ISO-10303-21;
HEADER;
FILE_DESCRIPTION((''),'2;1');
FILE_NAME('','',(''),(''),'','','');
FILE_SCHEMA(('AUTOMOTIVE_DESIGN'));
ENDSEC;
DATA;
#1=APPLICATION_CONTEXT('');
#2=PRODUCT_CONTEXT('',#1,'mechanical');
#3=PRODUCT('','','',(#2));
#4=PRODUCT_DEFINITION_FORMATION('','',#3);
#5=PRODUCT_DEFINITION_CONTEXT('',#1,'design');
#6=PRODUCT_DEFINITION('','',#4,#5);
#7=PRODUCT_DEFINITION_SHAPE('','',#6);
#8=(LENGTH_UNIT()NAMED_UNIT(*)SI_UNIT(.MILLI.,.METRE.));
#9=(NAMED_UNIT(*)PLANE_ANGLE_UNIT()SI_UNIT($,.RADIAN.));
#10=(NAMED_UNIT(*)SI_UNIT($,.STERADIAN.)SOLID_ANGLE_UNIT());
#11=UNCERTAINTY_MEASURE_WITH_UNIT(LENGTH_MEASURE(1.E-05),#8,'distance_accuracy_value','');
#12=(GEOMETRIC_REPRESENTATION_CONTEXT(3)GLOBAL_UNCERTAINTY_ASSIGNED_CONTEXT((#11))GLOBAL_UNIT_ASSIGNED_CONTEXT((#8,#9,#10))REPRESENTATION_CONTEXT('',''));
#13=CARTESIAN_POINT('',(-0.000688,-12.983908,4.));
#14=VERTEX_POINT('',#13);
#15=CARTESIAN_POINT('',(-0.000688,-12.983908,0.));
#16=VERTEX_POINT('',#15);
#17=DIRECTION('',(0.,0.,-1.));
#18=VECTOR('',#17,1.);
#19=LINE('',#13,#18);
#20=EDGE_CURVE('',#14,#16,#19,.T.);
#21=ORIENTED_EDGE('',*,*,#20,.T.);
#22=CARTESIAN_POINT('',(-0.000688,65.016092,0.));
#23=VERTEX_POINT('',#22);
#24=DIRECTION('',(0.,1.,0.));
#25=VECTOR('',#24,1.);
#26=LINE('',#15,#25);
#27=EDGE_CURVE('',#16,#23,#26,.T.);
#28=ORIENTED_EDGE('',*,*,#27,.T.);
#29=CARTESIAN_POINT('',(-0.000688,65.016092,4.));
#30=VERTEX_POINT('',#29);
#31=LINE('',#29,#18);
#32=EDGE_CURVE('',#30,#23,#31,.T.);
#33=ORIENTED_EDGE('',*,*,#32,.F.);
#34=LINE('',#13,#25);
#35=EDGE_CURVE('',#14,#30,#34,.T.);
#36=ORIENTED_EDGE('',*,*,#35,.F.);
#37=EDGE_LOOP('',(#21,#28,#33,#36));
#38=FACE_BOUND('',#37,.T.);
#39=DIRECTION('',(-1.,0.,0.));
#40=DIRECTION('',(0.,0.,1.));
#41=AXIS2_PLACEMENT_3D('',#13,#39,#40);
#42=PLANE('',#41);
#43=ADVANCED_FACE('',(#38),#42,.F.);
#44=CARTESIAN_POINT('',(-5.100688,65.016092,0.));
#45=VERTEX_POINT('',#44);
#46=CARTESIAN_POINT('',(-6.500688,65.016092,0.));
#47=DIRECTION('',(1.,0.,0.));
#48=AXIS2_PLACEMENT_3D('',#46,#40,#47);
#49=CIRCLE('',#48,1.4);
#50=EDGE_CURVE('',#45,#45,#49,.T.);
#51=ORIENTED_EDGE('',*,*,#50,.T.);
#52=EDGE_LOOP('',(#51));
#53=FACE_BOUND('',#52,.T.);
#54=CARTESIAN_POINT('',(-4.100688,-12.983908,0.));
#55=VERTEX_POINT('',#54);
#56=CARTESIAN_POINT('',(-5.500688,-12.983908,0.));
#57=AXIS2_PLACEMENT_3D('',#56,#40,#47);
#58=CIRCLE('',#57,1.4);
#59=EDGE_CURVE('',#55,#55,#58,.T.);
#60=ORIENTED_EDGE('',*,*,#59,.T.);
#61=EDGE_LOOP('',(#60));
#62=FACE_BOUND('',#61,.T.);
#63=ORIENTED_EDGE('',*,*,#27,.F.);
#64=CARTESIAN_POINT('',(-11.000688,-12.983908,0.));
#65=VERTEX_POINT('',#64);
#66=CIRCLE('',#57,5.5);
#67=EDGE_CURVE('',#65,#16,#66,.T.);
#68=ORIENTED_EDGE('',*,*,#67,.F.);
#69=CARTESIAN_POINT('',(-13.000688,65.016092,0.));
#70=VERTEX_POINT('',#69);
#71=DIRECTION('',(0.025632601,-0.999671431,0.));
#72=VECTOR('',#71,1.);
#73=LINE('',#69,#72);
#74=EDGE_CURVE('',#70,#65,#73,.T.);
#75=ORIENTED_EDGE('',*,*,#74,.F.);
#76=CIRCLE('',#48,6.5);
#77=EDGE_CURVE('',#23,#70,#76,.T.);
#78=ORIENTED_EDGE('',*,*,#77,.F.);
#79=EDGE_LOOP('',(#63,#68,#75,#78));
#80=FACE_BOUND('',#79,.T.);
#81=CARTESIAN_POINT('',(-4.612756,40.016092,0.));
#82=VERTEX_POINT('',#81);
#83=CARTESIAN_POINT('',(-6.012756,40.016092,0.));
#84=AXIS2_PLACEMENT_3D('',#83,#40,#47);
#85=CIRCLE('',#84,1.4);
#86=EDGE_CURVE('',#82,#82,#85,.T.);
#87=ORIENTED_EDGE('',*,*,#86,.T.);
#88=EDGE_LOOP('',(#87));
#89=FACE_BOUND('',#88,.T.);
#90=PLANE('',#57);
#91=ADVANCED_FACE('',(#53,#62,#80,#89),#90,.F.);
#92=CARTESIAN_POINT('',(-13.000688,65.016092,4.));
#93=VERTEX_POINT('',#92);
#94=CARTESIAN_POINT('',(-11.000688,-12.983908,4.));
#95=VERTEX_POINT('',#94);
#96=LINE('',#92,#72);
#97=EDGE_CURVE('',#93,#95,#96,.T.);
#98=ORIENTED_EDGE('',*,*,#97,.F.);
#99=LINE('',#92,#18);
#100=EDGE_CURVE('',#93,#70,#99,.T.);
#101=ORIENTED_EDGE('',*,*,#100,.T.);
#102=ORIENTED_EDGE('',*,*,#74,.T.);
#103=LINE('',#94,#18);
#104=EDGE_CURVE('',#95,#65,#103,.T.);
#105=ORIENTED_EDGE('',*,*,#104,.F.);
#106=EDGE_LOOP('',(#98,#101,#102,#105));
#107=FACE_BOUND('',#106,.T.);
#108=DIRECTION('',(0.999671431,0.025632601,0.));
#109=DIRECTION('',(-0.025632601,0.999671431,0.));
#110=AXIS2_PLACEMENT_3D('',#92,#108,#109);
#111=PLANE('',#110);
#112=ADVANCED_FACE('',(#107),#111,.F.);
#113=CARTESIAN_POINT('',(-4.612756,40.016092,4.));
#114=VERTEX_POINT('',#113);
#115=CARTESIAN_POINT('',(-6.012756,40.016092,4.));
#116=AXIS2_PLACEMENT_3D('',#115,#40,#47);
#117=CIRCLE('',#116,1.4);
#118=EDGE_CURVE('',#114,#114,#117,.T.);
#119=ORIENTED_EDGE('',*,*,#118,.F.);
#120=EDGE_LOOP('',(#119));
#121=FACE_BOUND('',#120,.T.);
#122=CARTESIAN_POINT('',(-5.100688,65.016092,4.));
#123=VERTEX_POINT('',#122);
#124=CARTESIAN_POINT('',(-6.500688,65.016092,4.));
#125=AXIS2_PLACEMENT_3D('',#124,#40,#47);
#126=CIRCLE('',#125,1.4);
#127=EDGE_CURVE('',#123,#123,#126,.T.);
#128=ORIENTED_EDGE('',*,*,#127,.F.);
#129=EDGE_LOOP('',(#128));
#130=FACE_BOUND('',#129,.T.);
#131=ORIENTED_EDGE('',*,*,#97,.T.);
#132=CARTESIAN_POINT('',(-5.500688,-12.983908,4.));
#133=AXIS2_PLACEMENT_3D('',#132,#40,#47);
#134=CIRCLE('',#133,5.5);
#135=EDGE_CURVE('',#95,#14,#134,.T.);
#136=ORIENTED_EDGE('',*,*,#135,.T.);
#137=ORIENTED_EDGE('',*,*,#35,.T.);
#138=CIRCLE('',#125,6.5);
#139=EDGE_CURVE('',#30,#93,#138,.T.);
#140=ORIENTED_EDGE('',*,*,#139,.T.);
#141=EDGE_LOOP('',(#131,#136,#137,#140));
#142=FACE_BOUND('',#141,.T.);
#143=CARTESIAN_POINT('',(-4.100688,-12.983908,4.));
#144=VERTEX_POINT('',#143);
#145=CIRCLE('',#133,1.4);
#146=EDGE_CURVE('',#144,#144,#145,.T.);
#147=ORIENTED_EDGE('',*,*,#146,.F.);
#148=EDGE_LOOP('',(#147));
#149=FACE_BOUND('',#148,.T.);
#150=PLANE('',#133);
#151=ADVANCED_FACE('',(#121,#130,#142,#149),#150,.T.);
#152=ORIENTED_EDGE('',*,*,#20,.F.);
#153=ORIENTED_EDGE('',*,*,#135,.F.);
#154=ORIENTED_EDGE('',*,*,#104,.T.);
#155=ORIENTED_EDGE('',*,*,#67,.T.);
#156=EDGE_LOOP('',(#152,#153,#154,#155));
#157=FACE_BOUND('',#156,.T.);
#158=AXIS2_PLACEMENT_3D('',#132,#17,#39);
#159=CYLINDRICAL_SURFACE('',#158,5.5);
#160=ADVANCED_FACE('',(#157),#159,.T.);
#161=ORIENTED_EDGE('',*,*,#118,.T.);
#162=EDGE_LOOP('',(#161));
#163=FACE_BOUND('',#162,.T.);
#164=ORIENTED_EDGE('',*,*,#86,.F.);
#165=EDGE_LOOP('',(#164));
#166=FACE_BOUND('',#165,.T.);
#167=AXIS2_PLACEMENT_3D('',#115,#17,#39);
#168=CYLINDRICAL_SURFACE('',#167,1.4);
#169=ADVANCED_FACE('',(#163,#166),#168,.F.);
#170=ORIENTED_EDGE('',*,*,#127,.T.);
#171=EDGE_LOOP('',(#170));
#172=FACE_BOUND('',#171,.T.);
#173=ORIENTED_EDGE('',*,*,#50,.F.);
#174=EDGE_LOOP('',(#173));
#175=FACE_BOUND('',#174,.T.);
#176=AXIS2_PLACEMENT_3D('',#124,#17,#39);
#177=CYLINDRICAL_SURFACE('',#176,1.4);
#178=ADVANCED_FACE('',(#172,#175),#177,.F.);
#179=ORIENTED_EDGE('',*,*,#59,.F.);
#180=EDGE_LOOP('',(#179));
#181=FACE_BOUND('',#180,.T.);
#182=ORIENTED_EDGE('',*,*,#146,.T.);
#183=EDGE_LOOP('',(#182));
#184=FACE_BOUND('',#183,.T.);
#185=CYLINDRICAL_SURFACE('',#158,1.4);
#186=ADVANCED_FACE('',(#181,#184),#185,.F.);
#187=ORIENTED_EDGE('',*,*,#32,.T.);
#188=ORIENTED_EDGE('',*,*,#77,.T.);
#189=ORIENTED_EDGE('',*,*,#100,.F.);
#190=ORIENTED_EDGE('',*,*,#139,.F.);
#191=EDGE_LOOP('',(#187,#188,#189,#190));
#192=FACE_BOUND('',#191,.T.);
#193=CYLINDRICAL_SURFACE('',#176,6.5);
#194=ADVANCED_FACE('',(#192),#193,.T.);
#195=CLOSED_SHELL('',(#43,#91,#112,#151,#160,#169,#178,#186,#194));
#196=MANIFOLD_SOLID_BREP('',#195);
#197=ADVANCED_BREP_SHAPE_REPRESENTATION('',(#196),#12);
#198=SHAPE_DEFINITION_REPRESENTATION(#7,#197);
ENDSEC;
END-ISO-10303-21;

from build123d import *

# Parameters (mm, degrees)
SKETCH1_R           = 1.4
BOSS_EXTRUDE2_DEPTH = 4


with BuildPart() as part:
    # Sketch1 → Boss-Extrude2 (new body)
    with BuildSketch(Plane.XY):
        with BuildLine():
            Line((-0.000688459, -12.983908279), (-0.000688459, 65.016091721))
            ThreePointArc((-0.000688459, 65.016091721), (-6.500688459, 71.516091721), (-13.000688459, 65.016091721))
            Line((-13.000688459, 65.016091721), (-11.000688459, -12.983908279))
            ThreePointArc((-11.000688459, -12.983908279), (-5.500688459, -18.483908279), (-0.000688459, -12.983908279))
        make_face()
        with Locations((-6.500688459, 65.016091721)):
            Circle(SKETCH1_R, mode=Mode.SUBTRACT)
        with Locations((-5.500688459, -12.983908279)):
            Circle(SKETCH1_R, mode=Mode.SUBTRACT)
        with Locations((-6.012756351, 40.016091721)):
            Circle(SKETCH1_R, mode=Mode.SUBTRACT)
    extrude(amount=BOSS_EXTRUDE2_DEPTH)


solid = part.part
